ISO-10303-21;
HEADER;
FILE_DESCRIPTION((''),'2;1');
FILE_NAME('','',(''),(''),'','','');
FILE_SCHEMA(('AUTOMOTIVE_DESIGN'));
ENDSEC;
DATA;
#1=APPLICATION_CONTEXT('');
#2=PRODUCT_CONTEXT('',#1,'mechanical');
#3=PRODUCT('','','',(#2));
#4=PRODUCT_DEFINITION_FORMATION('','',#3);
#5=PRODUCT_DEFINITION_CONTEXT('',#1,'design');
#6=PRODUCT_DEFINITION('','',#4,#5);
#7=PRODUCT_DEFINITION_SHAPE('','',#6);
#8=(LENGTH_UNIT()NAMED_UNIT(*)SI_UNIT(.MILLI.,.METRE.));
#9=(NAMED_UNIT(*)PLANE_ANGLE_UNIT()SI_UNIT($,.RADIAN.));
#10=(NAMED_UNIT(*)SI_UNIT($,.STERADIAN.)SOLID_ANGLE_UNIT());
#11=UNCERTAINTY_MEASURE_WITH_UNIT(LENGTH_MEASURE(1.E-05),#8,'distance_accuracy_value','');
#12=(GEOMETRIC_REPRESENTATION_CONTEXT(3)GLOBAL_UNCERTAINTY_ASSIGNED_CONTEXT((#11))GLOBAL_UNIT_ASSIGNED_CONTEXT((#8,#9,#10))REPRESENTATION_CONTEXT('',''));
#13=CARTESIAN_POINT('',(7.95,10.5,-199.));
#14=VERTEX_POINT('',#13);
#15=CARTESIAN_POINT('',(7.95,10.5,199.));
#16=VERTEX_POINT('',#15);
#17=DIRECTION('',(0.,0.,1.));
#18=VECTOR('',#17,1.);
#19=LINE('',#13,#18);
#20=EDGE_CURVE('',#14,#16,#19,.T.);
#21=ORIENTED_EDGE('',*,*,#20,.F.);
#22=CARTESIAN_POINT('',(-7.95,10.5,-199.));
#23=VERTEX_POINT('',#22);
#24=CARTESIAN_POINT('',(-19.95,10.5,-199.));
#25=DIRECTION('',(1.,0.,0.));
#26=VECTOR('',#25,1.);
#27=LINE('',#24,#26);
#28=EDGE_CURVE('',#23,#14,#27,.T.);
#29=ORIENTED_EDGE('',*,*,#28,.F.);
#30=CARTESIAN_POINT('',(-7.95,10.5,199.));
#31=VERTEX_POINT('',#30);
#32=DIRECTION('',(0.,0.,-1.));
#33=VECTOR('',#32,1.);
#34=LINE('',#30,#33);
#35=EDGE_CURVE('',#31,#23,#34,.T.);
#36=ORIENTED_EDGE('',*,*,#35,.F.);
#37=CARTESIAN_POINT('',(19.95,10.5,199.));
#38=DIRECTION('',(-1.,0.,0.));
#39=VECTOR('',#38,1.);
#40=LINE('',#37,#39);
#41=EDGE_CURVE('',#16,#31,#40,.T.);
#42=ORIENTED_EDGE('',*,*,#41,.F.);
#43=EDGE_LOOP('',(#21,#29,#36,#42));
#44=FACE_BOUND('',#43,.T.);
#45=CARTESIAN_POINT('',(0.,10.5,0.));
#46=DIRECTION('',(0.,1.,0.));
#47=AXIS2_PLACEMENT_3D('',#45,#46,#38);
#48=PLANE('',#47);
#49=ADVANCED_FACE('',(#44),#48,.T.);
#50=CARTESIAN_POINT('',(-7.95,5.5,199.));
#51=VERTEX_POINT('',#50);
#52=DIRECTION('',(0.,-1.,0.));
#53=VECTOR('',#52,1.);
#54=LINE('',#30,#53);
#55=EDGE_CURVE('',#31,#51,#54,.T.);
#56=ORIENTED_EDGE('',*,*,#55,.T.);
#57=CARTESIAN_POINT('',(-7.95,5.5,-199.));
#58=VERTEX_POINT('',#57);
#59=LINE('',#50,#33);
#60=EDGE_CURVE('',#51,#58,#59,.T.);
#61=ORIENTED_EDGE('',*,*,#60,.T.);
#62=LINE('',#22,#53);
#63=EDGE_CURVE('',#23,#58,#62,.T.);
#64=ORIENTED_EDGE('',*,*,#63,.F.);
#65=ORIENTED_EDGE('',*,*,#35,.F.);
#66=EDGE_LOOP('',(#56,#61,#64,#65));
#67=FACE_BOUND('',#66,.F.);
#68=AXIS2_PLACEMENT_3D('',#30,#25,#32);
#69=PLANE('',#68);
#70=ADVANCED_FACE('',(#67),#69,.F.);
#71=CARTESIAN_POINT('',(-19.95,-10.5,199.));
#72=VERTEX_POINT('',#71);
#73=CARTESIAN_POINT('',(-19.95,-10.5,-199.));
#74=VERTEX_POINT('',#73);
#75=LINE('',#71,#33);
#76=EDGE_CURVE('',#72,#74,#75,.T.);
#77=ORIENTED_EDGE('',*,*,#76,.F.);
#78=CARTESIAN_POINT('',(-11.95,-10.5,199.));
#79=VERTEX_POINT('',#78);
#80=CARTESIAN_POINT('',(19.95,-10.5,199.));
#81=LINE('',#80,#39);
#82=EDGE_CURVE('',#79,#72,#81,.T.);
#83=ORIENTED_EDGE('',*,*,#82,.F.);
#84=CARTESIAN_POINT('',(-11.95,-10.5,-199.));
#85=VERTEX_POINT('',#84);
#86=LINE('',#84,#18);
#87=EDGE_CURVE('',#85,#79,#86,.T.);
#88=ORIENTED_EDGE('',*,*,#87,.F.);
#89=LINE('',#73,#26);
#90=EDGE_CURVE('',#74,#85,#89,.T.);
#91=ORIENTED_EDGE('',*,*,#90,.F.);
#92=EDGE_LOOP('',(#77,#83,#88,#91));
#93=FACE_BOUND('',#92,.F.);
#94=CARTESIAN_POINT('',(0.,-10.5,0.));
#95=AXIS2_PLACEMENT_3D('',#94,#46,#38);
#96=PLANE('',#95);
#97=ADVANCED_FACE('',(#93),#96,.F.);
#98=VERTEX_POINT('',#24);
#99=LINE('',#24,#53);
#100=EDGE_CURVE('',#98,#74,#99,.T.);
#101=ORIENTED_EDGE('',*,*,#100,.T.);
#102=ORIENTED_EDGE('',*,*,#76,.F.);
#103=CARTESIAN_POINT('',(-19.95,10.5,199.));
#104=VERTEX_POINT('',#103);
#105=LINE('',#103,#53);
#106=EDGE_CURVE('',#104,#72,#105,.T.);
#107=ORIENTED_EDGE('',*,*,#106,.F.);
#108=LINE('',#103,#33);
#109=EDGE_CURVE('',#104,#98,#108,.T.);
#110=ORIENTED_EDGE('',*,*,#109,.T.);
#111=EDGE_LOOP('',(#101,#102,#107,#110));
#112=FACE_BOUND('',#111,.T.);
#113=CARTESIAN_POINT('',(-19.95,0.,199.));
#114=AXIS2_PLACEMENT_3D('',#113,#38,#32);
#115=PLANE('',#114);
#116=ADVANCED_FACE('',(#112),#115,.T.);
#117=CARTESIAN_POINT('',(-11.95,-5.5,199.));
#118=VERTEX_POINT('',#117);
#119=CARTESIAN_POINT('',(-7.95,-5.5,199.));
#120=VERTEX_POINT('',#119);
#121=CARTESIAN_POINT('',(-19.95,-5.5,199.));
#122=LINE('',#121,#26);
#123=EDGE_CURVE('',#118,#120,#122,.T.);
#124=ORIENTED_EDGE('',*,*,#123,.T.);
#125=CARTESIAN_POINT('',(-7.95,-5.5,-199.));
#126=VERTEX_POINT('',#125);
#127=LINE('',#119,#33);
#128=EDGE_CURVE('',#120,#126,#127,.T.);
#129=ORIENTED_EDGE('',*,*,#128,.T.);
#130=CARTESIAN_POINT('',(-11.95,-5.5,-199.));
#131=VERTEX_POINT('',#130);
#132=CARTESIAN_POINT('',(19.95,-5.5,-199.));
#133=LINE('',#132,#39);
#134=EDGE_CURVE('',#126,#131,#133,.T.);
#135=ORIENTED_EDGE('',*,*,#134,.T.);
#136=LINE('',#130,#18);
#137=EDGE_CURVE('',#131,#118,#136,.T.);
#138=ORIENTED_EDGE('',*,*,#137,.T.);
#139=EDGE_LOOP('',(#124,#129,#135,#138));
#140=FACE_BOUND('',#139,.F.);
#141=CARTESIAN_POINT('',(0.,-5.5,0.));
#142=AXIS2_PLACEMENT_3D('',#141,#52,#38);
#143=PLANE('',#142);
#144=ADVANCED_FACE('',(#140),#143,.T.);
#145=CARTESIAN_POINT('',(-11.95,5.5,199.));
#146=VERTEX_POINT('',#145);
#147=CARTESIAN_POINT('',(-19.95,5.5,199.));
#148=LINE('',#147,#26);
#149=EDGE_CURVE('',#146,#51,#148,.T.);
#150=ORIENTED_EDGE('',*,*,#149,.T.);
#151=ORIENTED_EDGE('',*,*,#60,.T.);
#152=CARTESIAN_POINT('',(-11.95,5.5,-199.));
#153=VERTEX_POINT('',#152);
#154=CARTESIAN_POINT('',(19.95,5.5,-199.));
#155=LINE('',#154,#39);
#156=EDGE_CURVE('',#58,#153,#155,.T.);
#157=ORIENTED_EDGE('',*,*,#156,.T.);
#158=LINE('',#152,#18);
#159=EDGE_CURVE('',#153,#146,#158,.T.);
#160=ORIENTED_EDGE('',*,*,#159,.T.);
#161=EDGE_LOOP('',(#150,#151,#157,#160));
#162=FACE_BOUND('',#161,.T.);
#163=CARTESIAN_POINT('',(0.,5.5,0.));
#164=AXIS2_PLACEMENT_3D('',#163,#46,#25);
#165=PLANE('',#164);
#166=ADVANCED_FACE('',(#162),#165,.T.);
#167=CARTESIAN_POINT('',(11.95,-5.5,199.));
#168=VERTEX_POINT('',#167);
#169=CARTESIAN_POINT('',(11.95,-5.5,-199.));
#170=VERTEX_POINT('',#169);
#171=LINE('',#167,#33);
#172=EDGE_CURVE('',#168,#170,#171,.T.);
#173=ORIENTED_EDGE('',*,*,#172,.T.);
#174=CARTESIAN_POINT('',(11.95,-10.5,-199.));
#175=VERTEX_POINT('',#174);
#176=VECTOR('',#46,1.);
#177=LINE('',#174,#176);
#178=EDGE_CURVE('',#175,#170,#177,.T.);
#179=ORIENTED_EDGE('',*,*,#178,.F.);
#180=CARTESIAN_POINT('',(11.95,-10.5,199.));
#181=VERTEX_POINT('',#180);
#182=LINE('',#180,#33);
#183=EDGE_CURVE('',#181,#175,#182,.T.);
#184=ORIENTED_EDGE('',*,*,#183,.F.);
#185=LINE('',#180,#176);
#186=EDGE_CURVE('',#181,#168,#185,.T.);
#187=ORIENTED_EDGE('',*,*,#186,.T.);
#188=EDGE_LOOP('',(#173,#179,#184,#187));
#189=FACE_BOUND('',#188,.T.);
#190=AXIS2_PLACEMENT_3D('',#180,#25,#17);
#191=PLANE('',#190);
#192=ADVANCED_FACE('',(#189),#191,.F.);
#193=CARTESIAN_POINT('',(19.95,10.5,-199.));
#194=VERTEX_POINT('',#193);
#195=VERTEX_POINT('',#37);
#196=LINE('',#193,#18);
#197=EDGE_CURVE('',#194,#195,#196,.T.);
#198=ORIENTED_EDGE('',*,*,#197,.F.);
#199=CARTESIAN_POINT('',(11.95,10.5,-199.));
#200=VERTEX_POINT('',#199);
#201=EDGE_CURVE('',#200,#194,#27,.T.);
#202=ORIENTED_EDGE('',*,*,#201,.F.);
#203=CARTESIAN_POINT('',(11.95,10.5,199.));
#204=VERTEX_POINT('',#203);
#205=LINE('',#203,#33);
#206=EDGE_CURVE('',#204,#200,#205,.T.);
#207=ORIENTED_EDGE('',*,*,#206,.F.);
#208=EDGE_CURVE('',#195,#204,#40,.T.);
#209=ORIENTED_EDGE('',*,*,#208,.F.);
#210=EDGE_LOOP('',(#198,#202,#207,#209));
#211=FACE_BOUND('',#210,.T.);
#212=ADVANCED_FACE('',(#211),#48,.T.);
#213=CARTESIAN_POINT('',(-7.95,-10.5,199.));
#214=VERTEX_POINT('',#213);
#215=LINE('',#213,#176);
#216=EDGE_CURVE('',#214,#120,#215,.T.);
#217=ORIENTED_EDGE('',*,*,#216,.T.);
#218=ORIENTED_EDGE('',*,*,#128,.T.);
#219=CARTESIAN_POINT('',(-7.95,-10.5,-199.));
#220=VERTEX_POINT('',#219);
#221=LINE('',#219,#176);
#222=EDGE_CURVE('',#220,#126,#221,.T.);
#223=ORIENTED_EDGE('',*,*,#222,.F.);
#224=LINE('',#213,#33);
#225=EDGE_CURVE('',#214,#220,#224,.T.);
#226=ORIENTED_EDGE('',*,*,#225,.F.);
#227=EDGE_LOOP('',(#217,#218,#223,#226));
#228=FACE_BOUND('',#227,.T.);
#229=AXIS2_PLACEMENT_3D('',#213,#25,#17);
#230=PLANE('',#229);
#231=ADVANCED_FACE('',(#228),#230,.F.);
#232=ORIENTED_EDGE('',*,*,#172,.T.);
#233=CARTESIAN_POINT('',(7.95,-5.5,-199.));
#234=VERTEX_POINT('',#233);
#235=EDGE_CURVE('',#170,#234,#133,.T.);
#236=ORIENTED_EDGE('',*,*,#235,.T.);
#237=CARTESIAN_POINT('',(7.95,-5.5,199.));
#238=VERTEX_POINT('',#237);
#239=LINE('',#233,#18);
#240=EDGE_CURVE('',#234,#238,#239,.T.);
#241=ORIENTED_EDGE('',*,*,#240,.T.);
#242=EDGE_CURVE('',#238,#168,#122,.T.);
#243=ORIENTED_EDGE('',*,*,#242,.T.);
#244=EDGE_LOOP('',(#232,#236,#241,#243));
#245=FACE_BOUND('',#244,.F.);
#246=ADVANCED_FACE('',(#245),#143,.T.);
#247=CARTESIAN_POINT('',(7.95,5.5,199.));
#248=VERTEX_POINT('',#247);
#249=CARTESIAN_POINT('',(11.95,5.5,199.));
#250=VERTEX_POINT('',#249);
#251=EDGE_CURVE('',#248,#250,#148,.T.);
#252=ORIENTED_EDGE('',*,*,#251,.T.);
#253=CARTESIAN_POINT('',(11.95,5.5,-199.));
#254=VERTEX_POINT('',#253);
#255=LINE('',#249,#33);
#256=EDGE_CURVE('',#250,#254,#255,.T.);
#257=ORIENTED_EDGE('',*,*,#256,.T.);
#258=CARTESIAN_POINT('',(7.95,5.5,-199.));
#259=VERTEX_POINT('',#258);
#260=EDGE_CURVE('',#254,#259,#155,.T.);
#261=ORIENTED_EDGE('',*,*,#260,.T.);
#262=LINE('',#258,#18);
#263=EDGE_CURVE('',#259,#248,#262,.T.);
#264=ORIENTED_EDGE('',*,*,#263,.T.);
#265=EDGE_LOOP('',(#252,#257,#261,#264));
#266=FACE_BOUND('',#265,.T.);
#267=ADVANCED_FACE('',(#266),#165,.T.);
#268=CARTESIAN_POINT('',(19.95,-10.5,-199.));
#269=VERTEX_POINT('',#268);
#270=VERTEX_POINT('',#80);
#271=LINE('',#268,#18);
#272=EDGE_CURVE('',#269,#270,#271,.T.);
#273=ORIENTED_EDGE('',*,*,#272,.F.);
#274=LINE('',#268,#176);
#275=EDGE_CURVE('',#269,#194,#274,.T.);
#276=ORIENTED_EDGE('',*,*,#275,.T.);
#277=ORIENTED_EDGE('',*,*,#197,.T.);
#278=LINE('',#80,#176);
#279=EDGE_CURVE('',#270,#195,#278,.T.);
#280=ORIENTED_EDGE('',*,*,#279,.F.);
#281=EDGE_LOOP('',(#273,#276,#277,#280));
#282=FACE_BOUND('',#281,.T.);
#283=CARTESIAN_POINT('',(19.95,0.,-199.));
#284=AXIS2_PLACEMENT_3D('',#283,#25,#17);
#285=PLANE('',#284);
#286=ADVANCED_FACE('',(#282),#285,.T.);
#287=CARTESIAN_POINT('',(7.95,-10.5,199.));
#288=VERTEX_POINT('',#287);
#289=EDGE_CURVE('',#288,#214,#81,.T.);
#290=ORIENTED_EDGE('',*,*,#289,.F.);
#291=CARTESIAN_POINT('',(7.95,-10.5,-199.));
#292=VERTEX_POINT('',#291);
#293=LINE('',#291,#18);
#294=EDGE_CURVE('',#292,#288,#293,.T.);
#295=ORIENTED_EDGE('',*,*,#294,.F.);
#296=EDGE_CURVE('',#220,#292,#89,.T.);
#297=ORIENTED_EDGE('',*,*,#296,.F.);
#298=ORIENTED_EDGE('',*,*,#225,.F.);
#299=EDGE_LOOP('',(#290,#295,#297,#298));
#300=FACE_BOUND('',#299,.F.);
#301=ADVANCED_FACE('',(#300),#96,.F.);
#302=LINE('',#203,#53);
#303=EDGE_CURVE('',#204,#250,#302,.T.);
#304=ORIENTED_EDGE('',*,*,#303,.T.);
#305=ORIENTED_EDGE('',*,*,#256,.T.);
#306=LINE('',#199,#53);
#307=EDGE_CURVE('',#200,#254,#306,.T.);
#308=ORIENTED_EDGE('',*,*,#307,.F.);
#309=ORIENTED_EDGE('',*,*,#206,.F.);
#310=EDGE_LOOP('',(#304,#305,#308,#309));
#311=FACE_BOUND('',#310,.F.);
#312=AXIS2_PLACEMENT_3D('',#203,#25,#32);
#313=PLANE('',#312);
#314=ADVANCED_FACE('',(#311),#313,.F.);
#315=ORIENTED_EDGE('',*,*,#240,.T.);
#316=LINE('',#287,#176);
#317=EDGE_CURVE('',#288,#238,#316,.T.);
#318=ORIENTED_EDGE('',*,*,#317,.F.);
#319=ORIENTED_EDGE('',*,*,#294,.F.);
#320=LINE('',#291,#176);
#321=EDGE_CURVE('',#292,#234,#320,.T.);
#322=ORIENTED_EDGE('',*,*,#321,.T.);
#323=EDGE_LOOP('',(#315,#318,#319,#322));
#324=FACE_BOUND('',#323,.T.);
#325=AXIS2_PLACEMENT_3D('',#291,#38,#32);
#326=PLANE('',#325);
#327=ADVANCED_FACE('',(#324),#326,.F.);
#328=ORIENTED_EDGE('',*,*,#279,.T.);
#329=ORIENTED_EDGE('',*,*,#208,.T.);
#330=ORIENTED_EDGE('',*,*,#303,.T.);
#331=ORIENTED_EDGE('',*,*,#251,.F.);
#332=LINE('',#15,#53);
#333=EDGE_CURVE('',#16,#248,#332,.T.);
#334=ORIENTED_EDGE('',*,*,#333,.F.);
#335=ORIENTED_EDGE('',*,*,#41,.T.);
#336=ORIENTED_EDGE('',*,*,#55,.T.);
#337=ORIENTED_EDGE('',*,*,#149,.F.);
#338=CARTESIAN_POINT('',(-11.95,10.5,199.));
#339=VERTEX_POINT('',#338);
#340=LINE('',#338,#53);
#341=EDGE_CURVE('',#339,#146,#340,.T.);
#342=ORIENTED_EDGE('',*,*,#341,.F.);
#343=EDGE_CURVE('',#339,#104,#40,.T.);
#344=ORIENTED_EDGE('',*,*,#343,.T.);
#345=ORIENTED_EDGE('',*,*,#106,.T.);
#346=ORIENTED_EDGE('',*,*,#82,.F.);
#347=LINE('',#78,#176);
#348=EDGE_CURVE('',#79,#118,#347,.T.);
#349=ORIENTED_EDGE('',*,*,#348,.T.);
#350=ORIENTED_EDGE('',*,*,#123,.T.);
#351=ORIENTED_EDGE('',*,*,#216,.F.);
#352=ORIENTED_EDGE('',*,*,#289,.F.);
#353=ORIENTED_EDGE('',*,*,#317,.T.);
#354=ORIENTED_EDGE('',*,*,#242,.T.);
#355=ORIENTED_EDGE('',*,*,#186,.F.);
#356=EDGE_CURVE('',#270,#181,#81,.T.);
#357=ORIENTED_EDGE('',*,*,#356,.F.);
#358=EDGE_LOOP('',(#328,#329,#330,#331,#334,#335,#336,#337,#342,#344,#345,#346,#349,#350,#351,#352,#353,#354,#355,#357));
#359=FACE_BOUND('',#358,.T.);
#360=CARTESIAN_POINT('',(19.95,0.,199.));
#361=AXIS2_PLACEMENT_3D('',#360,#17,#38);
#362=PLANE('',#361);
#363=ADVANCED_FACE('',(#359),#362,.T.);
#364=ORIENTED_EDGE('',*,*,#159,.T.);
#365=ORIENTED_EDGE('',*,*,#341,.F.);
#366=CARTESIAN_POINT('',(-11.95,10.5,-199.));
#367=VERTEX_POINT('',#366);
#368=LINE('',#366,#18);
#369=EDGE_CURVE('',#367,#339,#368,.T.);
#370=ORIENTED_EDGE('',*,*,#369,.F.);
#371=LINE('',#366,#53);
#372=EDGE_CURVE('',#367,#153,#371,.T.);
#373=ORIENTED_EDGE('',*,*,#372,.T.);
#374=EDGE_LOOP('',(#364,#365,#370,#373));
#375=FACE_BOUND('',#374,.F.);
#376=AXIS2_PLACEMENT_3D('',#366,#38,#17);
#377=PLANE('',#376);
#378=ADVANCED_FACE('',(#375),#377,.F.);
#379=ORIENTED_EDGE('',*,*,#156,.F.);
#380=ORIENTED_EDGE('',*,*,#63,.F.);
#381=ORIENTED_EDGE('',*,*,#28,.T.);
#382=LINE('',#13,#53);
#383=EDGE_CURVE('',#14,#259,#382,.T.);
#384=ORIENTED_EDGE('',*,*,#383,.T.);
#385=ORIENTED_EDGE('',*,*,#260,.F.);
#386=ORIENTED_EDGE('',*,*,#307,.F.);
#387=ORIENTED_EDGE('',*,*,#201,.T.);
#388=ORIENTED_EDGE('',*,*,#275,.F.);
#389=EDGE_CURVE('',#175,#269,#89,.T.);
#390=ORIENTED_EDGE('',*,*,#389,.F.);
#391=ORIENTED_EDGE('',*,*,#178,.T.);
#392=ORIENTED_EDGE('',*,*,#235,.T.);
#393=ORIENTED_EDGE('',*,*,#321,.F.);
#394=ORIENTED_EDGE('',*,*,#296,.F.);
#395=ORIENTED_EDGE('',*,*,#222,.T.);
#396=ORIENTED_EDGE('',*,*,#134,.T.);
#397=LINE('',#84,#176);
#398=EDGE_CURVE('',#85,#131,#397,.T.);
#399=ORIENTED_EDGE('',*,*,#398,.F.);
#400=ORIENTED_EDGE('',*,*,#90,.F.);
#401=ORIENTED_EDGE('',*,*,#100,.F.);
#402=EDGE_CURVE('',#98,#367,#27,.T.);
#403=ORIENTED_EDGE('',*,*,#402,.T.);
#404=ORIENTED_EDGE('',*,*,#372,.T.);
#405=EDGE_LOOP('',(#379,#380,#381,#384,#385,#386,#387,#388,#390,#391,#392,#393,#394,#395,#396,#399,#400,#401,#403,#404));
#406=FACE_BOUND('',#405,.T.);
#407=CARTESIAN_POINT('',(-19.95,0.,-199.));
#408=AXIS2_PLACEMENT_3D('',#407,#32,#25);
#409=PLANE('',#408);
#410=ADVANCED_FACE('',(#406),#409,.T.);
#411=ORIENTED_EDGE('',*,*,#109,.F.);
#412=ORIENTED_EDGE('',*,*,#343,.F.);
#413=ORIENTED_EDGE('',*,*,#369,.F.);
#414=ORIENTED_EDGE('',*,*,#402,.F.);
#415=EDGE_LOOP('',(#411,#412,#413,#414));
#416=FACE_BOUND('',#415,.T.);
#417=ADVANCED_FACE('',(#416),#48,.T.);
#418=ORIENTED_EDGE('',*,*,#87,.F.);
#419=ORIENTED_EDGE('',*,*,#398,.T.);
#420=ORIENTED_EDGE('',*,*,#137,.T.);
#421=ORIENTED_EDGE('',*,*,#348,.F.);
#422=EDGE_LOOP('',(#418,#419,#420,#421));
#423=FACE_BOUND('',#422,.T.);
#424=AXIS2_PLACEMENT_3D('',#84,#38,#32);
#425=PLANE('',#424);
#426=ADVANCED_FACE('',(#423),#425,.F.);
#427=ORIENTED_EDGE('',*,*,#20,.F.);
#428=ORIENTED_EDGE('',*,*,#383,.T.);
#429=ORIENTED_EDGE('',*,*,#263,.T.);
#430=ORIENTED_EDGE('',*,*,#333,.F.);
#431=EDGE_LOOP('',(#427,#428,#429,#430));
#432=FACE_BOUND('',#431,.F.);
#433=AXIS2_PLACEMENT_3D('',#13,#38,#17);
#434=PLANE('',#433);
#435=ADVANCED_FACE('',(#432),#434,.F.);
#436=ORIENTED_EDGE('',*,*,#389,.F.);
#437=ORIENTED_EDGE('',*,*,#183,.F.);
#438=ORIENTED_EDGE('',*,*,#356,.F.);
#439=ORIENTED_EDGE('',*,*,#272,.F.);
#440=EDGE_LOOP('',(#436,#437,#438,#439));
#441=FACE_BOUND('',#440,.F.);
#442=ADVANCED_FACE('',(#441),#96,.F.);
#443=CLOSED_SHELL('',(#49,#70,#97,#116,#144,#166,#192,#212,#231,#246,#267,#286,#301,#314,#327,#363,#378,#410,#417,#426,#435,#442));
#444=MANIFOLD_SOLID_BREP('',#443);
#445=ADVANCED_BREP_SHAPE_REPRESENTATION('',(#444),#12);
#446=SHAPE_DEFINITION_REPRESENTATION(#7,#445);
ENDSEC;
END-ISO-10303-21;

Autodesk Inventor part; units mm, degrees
ref_plane "YZ Plane" through (0, 0, 0) normal (1, 0, 0) x (0, 1, 0)
ref_plane "XZ Plane" through (0, 0, 0) normal (0, 1, 0) x (-1, 0, 0)
ref_plane "XY Plane" through (0, 0, 0) normal (0, 0, 1) x (1, 0, 0)
sketch "Sketch1" plane through (0, 0, 0) normal (0, 1, 0) x (-1, 0, 0)
  line L0 (-19.95, 199) -> (19.95, 199)
  line L1 (19.95, 199) -> (19.95, -199)
  line L2 (19.95, -199) -> (-19.95, -199)
  line L3 (-19.95, -199) -> (-19.95, 199)
  line L4 (-19.95, 199) -> (19.95, -199) construction
  line L5 (19.95, 199) -> (-19.95, -199) construction
  point P0 (0, 0)
  dimension "d0" = 39.9
  dimension "d1" = 398
extrude "Extrusion1" add sketch "Sketch1" along normal mid plane 21
sketch "Sketch2" plane through (0, 10.5, 0) normal (0, 1, 0) x (1, 0, 0)
  line L0 (-19.95, -199) -> (19.95, -199) projected
  line L1 (19.95, 199) -> (-19.95, 199) projected
  line L2 (-11.95, -199) -> (-7.95, -199)
  line L3 (-7.95, -199) -> (-7.95, 199)
  line L4 (-7.95, 199) -> (-11.95, 199)
  line L5 (-11.95, 199) -> (-11.95, -199)
  line L6 (0, -199) -> (0, 199) construction
  line L7 (-19.95, 199) -> (-19.95, -199) projected
  line L8 (7.95, -199) -> (11.95, -199)
  line L9 (11.95, -199) -> (11.95, 199)
  line L10 (11.95, 199) -> (7.95, 199)
  line L11 (7.95, 199) -> (7.95, -199)
  point P0 (0, 0)
  point P1 (-11.95, 199)
  dimension "d4" = 4
  dimension "d5" = 8
extrude "Extrusion2" cut sketch "Sketch2" against normal blind 5 contours L5 L1 L3 L0 | L11 L1 L9 L0
mirror "Mirror1" about plane through (0, 0, 0) normal (0, 1, 0) of "Extrusion2"
properties part number "Linear Rail Base"
